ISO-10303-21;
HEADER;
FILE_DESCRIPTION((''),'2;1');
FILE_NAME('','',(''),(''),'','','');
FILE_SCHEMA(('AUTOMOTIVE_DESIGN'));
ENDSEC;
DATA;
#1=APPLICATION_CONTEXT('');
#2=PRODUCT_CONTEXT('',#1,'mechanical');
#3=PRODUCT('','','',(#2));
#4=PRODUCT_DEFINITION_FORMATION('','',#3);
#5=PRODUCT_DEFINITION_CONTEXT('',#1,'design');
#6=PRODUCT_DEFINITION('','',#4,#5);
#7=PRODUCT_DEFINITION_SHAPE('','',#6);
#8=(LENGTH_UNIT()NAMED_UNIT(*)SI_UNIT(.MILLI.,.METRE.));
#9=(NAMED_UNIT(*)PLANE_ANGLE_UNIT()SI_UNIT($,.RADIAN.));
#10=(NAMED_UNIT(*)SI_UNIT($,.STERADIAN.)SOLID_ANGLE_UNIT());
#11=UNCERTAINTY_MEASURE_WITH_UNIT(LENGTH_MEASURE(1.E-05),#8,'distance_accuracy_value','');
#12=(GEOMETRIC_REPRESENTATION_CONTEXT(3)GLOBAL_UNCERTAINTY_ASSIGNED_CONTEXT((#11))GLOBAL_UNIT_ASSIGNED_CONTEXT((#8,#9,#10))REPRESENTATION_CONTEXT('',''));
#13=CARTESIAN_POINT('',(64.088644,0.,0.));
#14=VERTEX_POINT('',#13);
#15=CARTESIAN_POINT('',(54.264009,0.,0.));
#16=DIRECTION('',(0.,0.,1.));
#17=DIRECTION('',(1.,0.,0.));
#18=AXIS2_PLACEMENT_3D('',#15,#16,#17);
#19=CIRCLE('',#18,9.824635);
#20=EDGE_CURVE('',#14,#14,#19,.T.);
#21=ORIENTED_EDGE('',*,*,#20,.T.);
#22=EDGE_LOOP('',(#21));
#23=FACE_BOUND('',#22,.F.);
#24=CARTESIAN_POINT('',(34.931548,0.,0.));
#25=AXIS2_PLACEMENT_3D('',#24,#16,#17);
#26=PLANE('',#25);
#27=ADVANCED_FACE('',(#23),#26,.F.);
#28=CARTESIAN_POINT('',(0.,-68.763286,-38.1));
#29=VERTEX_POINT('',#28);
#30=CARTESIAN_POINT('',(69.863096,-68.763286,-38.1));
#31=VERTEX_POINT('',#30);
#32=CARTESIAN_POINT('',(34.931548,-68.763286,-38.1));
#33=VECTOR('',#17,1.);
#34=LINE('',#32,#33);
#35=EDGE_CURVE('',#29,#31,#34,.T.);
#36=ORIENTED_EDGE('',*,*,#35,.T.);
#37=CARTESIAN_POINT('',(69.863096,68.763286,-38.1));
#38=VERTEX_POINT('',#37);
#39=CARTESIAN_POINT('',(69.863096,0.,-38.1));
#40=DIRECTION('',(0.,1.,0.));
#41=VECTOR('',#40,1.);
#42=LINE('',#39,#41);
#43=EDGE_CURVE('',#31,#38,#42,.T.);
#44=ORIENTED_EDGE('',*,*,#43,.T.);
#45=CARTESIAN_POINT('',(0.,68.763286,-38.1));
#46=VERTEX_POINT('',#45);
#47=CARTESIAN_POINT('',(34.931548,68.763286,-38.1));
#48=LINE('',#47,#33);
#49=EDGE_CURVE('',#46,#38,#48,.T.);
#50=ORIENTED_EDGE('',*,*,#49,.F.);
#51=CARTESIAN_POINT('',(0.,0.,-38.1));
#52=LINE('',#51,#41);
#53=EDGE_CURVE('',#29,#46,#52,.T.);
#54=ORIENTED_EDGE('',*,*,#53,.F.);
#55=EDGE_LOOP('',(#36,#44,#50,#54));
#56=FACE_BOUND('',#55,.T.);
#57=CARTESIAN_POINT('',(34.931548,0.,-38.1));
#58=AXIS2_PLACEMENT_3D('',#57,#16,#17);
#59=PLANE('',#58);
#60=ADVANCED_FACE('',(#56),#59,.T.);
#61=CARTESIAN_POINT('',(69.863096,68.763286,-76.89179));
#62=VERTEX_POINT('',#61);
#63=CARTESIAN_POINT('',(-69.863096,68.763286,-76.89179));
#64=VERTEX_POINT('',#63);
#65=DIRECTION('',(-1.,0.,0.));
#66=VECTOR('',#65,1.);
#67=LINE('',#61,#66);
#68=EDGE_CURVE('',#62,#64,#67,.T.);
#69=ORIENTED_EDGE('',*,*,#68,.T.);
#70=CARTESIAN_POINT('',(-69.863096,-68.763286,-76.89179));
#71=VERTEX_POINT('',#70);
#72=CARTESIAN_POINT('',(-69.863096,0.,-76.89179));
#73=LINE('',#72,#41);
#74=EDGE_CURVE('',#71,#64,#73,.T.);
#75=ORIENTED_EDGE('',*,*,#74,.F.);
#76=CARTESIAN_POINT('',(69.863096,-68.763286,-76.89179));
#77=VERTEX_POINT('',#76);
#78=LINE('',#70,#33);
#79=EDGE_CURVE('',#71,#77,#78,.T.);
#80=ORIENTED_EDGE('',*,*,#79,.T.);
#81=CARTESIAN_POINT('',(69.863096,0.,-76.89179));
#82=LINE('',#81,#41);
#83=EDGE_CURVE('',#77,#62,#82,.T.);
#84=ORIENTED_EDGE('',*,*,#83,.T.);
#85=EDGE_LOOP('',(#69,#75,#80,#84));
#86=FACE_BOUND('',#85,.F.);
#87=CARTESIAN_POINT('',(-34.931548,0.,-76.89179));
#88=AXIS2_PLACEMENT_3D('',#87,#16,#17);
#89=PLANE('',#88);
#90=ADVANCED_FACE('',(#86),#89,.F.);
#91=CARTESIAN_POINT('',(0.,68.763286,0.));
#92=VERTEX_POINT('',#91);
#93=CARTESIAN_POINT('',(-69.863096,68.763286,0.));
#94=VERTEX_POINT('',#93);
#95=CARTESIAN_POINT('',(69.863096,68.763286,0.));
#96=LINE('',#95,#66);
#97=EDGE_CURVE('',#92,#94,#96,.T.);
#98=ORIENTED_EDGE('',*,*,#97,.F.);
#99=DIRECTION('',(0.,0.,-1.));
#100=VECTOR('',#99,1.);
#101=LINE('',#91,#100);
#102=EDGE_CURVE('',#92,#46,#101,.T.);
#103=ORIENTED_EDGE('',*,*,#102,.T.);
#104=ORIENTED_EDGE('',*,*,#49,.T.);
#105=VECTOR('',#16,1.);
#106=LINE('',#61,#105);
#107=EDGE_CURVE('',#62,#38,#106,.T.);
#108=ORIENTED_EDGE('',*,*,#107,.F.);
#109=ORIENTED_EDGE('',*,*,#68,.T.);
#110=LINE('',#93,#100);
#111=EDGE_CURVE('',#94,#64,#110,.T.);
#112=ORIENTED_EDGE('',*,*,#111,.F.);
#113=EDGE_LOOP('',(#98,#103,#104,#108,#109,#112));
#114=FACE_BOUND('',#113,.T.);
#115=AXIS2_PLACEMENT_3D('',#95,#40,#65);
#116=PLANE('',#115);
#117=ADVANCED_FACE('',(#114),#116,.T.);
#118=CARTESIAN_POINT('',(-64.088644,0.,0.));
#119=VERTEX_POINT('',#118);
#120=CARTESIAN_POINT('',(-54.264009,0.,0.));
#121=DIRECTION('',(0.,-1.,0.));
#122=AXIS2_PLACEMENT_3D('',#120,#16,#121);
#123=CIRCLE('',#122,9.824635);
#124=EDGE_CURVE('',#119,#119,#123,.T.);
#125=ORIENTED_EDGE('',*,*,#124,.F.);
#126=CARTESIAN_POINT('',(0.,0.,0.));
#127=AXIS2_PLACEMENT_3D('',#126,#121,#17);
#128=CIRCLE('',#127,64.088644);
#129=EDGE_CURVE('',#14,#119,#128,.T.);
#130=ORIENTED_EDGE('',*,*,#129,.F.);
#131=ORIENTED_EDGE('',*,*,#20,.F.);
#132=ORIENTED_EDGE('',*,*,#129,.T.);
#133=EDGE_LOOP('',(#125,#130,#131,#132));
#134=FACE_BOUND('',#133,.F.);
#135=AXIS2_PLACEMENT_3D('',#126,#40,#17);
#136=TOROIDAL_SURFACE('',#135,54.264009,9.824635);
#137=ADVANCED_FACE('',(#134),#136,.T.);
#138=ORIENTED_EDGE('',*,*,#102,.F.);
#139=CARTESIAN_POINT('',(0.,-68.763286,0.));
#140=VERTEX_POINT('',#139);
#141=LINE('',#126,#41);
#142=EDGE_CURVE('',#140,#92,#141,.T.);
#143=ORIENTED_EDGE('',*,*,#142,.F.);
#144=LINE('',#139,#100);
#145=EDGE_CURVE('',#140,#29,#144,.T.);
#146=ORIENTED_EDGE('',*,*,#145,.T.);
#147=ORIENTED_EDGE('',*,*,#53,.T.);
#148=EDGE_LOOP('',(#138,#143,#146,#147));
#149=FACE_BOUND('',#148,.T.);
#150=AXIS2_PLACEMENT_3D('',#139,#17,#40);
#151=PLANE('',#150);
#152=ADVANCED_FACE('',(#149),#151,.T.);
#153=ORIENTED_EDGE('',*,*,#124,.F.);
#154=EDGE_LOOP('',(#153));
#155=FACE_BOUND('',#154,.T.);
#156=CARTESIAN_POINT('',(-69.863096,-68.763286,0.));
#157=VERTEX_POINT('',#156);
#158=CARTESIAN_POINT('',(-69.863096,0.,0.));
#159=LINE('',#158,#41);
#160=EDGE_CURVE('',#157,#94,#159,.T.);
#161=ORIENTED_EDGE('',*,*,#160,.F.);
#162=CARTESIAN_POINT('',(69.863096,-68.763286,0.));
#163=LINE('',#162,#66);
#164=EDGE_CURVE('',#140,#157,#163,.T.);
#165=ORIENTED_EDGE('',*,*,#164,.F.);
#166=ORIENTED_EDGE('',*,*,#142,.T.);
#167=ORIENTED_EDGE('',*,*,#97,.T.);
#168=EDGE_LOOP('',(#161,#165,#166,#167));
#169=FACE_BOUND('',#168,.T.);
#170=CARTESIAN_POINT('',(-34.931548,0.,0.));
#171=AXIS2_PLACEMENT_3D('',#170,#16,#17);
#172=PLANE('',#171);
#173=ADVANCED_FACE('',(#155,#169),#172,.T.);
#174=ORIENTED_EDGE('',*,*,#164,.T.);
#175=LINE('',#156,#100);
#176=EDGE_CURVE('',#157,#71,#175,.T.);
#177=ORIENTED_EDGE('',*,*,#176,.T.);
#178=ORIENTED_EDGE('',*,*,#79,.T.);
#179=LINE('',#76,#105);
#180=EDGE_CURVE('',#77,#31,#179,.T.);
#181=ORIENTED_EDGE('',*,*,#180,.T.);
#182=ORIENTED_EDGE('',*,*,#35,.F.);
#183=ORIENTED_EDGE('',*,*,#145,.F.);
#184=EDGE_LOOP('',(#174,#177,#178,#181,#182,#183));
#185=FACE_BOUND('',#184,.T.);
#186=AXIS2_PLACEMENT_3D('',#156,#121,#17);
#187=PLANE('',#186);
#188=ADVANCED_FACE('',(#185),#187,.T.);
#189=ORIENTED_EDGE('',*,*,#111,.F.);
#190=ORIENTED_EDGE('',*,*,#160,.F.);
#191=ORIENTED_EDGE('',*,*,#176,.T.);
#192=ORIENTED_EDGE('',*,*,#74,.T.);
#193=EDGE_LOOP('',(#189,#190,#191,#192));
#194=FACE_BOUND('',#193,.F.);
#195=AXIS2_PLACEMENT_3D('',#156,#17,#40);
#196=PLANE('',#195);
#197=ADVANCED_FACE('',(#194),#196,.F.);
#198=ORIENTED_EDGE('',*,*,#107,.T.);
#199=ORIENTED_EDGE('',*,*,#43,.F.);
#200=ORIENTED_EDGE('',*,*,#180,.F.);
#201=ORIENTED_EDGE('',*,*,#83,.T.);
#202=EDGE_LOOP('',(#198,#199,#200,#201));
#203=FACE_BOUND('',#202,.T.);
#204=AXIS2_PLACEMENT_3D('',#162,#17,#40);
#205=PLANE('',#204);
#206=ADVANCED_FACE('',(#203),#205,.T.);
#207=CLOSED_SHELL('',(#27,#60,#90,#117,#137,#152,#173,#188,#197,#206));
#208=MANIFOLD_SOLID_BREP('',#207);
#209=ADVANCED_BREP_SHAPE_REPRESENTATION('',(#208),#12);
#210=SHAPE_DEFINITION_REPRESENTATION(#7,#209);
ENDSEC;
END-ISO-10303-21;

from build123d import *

# Parameters (mm, degrees)
F0_W     = 69.863096
F0_H     = 137.526572
F2_DEPTH = 76.89179
F1_R     = 9.824635
F4_DEPTH = 25.4
F5_DEPTH = 38.1


with BuildPart() as f2:
    # F0 (on Top) → F2 (new body)
    with BuildSketch(Plane.XY):
        with Locations((-34.931548, 0)):
            Rectangle(F0_W, F0_H)
        with Locations((34.931548, 0)):
            Rectangle(F0_W, F0_H)
    extrude(amount=-F2_DEPTH)

    # F1 (on Top) → F3 (revolve)
    with BuildSketch(Plane.XY):
        with Locations((54.264009, 0)):
            Circle(F1_R)
    revolve(axis=Axis((0, 0, 0), (0, -1, 0)))

    # F0 (on Top) → F4 (join)
    with BuildSketch(Plane.XY):
        with Locations((34.931548, 0)):
            Rectangle(F0_W, F0_H)
    extrude(amount=-F4_DEPTH)

    # F0 (on Top) → F5 (cut)
    with BuildSketch(Plane.XY):
        with Locations((34.931548, 0)):
            Rectangle(F0_W, F0_H)
    extrude(amount=-F5_DEPTH, mode=Mode.SUBTRACT)


solid = f2.part
